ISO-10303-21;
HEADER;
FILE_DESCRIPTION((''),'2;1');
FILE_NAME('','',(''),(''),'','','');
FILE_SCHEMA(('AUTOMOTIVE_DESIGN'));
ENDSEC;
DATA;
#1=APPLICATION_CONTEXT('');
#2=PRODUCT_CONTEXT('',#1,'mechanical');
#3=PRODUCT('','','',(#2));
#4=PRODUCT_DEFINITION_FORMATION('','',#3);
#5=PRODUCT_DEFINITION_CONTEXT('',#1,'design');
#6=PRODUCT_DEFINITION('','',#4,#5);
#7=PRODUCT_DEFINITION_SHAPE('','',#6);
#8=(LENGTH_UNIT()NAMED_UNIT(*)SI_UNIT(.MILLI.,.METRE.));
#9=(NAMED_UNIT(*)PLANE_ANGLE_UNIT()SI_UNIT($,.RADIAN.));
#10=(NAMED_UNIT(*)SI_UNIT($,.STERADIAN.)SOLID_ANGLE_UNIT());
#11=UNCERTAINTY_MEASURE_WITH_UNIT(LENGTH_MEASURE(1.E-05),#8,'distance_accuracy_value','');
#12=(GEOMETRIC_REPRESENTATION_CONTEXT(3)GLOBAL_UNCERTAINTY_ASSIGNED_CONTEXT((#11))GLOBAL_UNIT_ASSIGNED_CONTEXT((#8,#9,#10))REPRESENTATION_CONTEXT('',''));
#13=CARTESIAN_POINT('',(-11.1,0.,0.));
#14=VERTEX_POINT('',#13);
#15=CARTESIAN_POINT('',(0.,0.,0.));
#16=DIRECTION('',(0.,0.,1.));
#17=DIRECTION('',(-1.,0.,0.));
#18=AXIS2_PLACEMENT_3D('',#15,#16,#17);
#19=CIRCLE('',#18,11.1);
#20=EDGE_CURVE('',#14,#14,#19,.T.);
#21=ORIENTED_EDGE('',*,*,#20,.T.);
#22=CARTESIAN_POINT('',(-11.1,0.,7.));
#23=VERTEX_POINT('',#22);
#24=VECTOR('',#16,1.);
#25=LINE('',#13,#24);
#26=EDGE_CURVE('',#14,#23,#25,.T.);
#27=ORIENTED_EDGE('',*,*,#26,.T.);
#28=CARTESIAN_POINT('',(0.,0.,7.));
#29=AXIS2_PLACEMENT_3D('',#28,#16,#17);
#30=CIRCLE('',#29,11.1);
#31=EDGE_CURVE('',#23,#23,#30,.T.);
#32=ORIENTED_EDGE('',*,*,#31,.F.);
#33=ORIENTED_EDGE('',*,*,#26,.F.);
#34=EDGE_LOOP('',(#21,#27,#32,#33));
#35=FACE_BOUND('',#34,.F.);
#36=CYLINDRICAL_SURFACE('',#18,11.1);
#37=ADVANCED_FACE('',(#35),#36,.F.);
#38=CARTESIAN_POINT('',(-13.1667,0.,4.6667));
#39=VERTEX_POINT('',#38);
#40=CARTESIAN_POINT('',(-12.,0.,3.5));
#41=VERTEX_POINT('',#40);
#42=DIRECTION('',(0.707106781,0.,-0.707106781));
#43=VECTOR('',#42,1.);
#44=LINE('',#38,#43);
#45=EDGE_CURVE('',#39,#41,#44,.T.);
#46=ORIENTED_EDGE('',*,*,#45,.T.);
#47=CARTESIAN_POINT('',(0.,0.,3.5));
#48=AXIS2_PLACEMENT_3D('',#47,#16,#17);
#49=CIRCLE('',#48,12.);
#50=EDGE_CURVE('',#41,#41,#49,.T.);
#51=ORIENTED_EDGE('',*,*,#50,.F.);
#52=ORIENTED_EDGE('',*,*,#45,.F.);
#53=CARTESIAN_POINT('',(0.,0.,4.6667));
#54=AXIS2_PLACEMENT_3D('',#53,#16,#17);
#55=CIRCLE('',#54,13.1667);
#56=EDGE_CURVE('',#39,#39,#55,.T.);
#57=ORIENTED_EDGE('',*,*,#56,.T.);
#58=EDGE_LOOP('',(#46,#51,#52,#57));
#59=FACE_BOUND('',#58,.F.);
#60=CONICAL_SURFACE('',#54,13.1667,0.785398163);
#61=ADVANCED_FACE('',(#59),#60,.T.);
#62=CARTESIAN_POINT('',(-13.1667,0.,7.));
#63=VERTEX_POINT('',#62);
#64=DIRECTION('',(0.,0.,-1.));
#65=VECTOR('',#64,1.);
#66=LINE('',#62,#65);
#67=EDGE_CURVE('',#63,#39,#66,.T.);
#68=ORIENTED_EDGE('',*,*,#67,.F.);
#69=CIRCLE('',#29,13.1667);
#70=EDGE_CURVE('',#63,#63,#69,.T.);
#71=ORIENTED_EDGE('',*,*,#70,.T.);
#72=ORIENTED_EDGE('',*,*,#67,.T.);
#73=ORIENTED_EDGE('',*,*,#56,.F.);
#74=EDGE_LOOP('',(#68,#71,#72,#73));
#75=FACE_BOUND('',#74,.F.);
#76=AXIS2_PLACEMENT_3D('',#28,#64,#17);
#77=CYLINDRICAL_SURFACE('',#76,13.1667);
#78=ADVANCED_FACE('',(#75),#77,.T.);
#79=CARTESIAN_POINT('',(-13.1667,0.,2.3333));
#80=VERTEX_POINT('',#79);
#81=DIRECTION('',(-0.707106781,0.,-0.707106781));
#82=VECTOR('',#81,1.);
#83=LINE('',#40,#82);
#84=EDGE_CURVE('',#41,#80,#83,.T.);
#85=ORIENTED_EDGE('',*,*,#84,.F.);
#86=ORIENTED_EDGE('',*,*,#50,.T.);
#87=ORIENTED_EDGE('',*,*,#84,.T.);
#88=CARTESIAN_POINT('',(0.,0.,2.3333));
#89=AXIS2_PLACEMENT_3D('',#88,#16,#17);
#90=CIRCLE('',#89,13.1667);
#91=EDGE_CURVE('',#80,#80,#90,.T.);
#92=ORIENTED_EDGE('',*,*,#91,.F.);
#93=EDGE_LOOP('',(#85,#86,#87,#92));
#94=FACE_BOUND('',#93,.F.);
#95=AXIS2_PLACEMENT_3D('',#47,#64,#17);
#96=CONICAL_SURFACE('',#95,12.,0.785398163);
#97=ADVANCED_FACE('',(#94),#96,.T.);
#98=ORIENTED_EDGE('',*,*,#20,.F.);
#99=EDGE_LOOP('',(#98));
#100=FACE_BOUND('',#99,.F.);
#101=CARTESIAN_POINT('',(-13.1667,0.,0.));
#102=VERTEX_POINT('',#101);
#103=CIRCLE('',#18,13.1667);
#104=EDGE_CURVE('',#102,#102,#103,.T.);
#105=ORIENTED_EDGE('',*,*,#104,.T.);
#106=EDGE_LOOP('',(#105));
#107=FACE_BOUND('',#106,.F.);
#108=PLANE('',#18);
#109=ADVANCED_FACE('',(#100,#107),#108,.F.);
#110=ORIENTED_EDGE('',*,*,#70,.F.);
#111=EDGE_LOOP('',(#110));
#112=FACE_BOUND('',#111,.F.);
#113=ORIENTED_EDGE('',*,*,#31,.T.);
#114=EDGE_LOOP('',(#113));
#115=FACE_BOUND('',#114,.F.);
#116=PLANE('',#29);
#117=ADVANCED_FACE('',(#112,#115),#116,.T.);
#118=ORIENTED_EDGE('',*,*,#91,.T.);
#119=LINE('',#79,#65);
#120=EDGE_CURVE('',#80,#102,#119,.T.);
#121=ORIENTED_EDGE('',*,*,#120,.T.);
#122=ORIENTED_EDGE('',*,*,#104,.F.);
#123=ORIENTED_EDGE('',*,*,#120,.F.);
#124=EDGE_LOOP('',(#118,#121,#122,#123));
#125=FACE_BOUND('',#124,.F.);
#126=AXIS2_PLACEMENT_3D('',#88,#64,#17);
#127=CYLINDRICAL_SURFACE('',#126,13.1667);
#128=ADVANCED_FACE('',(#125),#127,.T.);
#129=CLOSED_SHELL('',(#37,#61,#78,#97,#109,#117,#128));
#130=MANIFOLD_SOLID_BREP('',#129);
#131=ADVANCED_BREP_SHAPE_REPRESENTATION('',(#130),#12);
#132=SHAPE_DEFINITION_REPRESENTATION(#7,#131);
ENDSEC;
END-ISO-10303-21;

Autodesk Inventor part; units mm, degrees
ref_plane "YZ Plane" through (0, 0, 0) normal (1, 0, 0) x (0, 1, 0)
ref_plane "XZ Plane" through (0, 0, 0) normal (0, 1, 0) x (-1, 0, 0)
ref_plane "XY Plane" through (0, 0, 0) normal (0, 0, 1) x (1, 0, 0)
sketch "Sketch1" plane through (0, 0, 0) normal (0, 1, 0) x (-1, 0, 0)
  line L0 (11.1, 0) -> (11.1, 7)
  line L1 (11.1, 7) -> (13.1667, 7)
  line L2 (13.1667, 7) -> (13.1667, 4.6667)
  line L3 (13.1667, 4.6667) -> (12, 3.5)
  line L4 (12, 3.5) -> (13.1667, 2.3333)
  line L5 (13.1667, 2.3333) -> (13.1667, 0)
  line L6 (13.1667, 0) -> (11.1, 0)
  line L7 (0, 0) -> (0, 4.5986)
  line L8 (13.1667, 4.6667) -> (13.1667, 2.3333)
  dimension "d0" = 11.1
  dimension "d3" = 7
  dimension "d4" = 12
revolve "Revolution1" add sketch "Sketch1" angle 360 about axis through (0, 0, 0) along (0, 0, 1) contours L0 L1 L2 L3 L4 L5 L6
properties part number "z idler"
